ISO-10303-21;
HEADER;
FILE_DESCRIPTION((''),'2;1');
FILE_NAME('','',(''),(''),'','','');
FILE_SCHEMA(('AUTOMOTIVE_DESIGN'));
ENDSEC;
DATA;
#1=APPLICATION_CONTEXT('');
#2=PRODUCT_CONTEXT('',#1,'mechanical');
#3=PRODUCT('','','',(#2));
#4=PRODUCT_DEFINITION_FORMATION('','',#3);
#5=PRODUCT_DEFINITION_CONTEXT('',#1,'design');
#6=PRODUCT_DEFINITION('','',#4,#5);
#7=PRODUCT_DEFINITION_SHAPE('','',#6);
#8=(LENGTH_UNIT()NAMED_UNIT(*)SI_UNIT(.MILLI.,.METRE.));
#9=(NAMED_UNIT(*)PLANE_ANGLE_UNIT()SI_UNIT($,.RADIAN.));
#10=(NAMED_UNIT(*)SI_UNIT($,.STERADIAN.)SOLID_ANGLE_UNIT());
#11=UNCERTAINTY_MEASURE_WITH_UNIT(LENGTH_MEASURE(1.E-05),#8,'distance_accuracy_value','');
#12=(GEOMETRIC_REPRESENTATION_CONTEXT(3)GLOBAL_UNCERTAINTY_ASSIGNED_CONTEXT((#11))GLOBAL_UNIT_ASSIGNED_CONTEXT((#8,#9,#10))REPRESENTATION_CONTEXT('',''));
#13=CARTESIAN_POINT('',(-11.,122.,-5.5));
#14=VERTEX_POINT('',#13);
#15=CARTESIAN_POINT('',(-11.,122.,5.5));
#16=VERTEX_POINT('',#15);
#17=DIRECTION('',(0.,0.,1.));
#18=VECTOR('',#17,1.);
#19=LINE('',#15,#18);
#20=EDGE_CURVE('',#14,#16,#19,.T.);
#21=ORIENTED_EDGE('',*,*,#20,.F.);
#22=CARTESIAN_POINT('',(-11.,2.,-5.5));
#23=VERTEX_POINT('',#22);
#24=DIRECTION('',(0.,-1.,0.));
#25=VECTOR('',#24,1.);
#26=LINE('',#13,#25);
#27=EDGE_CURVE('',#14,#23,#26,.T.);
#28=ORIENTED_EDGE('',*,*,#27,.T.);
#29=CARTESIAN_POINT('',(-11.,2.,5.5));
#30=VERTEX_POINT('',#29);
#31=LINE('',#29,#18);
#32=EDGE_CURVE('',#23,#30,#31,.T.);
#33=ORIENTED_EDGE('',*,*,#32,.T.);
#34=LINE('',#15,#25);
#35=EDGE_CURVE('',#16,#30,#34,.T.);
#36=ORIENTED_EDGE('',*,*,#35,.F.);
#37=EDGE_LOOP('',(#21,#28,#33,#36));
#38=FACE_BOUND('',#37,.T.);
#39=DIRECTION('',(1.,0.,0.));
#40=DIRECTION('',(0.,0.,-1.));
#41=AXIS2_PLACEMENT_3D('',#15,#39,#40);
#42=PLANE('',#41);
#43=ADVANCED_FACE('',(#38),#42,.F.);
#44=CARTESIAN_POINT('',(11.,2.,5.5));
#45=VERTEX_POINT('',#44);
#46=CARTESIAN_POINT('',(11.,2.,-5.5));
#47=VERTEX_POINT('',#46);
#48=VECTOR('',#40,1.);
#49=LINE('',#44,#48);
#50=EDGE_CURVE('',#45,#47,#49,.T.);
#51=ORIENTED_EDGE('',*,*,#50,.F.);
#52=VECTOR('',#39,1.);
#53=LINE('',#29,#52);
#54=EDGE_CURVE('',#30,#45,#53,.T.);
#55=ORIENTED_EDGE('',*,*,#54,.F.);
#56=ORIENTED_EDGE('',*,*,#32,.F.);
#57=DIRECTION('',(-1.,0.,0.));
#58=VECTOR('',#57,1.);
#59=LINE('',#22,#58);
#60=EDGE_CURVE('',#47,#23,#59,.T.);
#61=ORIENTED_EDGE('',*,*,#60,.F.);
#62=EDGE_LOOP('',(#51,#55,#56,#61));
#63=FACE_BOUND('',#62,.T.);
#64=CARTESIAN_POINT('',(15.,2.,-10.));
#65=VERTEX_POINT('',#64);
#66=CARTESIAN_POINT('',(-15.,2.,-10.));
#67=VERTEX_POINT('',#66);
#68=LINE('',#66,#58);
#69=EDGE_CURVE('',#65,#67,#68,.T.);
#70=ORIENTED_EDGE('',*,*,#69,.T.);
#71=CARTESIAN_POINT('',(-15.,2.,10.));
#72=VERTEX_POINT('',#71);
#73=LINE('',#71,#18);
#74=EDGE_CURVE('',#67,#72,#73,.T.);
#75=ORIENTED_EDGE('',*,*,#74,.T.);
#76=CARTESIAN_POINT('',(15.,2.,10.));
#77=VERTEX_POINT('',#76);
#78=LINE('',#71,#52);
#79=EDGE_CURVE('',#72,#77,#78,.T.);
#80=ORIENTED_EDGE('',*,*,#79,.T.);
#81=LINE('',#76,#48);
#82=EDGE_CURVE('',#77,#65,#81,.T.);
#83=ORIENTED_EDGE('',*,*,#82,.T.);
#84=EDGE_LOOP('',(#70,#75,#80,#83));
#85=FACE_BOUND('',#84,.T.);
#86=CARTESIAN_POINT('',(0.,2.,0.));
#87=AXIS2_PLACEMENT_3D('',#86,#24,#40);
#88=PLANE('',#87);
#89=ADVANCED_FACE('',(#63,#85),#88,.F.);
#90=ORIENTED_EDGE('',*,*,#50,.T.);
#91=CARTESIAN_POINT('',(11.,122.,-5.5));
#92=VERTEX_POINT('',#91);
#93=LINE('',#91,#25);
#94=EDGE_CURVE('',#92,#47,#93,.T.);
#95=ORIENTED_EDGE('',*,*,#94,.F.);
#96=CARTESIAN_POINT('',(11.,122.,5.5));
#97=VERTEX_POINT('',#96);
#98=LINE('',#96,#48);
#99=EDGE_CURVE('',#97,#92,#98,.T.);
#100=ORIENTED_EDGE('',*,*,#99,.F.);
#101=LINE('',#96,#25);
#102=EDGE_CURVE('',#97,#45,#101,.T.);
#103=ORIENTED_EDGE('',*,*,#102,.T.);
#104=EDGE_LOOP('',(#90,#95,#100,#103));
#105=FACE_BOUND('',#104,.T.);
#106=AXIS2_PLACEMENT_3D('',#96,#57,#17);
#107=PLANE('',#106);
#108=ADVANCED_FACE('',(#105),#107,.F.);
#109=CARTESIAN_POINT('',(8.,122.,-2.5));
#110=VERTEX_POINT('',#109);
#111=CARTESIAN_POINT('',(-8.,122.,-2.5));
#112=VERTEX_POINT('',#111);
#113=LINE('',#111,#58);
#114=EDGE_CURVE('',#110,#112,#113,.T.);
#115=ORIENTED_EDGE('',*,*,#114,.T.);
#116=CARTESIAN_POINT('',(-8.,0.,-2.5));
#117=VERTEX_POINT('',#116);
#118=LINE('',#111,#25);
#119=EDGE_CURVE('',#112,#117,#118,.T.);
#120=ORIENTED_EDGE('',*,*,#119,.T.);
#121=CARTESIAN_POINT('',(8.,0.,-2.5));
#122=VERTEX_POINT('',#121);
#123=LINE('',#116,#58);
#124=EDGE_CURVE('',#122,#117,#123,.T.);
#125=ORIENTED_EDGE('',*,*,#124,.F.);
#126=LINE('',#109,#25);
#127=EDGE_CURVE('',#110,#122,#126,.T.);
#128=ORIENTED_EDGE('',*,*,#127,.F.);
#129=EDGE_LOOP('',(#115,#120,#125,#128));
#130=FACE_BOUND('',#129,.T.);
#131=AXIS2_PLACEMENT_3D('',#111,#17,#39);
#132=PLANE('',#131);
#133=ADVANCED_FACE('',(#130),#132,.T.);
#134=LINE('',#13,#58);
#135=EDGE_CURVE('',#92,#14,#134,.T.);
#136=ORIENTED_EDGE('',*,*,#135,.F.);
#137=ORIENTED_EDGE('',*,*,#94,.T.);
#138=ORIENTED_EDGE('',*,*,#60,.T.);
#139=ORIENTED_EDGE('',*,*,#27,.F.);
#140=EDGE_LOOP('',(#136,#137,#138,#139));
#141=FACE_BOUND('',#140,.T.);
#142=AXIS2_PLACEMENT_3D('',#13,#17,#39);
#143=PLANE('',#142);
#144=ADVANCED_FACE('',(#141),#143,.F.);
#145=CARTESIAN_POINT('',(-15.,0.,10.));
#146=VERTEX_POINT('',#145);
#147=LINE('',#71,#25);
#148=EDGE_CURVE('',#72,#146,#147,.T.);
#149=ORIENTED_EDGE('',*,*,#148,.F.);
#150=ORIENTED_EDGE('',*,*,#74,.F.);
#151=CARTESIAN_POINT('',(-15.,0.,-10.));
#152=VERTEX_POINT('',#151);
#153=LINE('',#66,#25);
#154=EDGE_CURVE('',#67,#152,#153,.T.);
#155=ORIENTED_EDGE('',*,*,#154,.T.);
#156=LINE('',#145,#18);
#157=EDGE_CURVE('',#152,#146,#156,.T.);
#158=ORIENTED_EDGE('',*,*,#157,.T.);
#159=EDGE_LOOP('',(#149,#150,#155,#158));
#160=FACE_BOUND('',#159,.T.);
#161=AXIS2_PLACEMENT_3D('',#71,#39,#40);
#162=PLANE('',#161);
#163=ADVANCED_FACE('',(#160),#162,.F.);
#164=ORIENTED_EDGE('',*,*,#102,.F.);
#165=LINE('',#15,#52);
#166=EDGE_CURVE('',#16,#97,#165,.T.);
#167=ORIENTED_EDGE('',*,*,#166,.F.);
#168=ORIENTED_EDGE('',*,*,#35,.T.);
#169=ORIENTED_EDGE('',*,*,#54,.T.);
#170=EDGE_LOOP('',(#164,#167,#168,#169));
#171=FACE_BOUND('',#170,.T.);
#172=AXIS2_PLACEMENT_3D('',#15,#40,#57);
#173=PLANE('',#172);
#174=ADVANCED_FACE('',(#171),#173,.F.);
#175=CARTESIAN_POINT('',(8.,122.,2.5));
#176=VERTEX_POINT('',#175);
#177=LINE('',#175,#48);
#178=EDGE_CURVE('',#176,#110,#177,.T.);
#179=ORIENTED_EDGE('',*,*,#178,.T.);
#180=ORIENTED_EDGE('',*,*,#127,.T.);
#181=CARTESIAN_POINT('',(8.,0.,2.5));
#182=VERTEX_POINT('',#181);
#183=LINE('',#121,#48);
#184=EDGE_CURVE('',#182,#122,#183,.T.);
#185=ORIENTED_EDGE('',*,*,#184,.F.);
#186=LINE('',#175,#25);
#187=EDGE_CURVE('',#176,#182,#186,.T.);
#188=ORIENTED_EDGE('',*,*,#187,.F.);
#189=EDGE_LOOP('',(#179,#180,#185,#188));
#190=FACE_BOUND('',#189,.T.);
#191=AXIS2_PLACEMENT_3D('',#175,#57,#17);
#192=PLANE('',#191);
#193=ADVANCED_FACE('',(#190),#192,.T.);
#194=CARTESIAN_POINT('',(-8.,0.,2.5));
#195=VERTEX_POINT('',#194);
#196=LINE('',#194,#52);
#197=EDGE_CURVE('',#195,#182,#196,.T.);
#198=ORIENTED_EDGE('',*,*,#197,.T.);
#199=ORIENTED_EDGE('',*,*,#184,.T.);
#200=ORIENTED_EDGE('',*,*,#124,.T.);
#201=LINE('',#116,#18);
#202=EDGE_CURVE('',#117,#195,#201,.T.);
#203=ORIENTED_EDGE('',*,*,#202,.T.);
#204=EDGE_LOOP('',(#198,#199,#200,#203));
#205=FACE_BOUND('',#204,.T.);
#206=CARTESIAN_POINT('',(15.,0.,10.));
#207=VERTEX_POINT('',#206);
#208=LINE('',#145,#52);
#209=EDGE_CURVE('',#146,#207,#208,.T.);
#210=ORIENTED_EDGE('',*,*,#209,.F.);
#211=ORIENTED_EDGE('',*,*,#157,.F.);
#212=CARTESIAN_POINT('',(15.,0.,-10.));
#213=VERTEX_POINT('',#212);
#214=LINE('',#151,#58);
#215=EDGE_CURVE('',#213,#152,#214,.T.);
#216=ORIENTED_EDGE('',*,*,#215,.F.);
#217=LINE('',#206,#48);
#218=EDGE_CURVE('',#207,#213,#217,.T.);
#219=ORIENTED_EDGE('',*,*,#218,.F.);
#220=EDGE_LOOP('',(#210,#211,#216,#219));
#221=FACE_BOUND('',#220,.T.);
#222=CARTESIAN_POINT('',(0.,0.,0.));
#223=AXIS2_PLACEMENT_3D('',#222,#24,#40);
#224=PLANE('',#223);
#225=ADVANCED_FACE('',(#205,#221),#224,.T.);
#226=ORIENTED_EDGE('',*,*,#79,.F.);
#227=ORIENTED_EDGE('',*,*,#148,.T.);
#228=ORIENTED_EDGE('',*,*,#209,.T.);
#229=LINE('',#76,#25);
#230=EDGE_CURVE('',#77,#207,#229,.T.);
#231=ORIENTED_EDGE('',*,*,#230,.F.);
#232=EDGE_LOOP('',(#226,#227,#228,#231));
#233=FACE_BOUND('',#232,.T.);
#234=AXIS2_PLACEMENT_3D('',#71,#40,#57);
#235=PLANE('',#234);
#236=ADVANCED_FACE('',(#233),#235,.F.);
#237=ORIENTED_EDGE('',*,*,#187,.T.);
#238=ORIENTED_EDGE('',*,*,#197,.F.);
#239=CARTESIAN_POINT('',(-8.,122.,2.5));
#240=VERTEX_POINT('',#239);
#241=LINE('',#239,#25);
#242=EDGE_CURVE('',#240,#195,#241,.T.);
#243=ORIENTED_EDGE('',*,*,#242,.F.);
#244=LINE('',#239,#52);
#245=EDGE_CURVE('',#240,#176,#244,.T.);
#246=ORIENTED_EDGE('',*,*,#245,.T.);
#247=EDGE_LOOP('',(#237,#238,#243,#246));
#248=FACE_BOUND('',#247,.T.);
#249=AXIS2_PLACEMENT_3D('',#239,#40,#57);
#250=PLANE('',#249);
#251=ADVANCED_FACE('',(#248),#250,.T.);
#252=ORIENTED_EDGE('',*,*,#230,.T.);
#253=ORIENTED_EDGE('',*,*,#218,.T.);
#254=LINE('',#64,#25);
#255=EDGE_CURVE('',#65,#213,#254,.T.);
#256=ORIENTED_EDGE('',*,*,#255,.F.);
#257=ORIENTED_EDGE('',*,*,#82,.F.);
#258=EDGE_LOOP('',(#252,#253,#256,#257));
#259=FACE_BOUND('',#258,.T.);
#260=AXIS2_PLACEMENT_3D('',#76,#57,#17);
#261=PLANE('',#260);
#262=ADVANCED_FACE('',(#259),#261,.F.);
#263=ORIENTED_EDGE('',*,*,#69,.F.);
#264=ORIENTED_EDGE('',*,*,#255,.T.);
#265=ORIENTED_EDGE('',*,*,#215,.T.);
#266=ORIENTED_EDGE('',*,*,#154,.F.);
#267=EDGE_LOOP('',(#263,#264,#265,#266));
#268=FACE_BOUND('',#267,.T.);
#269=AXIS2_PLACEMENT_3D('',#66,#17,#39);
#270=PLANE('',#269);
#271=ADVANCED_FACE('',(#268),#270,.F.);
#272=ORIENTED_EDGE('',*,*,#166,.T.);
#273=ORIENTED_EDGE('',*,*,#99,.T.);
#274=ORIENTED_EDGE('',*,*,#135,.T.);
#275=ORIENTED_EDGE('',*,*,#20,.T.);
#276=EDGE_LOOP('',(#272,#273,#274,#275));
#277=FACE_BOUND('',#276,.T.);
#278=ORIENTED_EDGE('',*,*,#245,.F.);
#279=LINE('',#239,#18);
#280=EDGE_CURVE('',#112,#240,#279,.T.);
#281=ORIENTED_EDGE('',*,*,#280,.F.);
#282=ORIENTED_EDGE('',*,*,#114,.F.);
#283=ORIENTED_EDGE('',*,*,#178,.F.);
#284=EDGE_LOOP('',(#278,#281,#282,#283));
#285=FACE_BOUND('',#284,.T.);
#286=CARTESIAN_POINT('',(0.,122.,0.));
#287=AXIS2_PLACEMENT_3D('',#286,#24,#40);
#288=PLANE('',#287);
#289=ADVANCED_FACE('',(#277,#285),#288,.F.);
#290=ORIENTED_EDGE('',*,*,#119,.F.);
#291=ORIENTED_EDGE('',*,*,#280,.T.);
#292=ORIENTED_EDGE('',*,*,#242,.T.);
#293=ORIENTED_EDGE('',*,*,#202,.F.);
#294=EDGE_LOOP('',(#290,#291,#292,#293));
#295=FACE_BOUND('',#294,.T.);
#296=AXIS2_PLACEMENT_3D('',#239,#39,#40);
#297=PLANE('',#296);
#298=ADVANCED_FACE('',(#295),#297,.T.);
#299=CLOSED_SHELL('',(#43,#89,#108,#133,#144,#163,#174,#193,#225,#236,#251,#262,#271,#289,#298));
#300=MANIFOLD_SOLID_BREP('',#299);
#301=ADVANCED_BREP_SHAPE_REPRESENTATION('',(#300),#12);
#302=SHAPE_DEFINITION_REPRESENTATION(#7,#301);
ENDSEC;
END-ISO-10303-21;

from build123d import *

# Parameters (mm, degrees)
CROQUIS1_W              = 30
CROQUIS1_H              = 20
SALIENTE_EXTRUIR1_DEPTH = 2
CROQUIS2_W              = 22
CROQUIS2_H              = 11
CROQUIS2_W_2            = 16
CROQUIS2_H_2            = 5
SALIENTE_EXTRUIR2_DEPTH = 120
CROQUIS3_W              = 16
CROQUIS3_H              = 5
CORTAR_EXTRUIR1_DEPTH   = 123


with BuildPart() as part:
    # Croquis1 → Saliente-Extruir1 (new body)
    with BuildSketch(Plane(origin=(0, 0, 0), x_dir=(1, 0, 0), z_dir=(0, 1, 0))):
        Rectangle(CROQUIS1_W, CROQUIS1_H)
    extrude(amount=SALIENTE_EXTRUIR1_DEPTH)

    # Croquis2 → Saliente-Extruir2 (add)
    with BuildSketch(Plane(origin=(0, 2, 0), x_dir=(1, 0, 0), z_dir=(0, 1, 0))):
        Rectangle(CROQUIS2_W, CROQUIS2_H)
        Rectangle(CROQUIS2_W_2, CROQUIS2_H_2, mode=Mode.SUBTRACT)
    extrude(amount=SALIENTE_EXTRUIR2_DEPTH)

    # Croquis3 → Cortar-Extruir1 (cut, through all)
    with BuildSketch(Plane(origin=(0, 122, 0), x_dir=(1, 0, 0), z_dir=(0, 1, 0))):
        Rectangle(CROQUIS3_W, CROQUIS3_H)
    extrude(amount=-CORTAR_EXTRUIR1_DEPTH, mode=Mode.SUBTRACT)


solid = part.part
